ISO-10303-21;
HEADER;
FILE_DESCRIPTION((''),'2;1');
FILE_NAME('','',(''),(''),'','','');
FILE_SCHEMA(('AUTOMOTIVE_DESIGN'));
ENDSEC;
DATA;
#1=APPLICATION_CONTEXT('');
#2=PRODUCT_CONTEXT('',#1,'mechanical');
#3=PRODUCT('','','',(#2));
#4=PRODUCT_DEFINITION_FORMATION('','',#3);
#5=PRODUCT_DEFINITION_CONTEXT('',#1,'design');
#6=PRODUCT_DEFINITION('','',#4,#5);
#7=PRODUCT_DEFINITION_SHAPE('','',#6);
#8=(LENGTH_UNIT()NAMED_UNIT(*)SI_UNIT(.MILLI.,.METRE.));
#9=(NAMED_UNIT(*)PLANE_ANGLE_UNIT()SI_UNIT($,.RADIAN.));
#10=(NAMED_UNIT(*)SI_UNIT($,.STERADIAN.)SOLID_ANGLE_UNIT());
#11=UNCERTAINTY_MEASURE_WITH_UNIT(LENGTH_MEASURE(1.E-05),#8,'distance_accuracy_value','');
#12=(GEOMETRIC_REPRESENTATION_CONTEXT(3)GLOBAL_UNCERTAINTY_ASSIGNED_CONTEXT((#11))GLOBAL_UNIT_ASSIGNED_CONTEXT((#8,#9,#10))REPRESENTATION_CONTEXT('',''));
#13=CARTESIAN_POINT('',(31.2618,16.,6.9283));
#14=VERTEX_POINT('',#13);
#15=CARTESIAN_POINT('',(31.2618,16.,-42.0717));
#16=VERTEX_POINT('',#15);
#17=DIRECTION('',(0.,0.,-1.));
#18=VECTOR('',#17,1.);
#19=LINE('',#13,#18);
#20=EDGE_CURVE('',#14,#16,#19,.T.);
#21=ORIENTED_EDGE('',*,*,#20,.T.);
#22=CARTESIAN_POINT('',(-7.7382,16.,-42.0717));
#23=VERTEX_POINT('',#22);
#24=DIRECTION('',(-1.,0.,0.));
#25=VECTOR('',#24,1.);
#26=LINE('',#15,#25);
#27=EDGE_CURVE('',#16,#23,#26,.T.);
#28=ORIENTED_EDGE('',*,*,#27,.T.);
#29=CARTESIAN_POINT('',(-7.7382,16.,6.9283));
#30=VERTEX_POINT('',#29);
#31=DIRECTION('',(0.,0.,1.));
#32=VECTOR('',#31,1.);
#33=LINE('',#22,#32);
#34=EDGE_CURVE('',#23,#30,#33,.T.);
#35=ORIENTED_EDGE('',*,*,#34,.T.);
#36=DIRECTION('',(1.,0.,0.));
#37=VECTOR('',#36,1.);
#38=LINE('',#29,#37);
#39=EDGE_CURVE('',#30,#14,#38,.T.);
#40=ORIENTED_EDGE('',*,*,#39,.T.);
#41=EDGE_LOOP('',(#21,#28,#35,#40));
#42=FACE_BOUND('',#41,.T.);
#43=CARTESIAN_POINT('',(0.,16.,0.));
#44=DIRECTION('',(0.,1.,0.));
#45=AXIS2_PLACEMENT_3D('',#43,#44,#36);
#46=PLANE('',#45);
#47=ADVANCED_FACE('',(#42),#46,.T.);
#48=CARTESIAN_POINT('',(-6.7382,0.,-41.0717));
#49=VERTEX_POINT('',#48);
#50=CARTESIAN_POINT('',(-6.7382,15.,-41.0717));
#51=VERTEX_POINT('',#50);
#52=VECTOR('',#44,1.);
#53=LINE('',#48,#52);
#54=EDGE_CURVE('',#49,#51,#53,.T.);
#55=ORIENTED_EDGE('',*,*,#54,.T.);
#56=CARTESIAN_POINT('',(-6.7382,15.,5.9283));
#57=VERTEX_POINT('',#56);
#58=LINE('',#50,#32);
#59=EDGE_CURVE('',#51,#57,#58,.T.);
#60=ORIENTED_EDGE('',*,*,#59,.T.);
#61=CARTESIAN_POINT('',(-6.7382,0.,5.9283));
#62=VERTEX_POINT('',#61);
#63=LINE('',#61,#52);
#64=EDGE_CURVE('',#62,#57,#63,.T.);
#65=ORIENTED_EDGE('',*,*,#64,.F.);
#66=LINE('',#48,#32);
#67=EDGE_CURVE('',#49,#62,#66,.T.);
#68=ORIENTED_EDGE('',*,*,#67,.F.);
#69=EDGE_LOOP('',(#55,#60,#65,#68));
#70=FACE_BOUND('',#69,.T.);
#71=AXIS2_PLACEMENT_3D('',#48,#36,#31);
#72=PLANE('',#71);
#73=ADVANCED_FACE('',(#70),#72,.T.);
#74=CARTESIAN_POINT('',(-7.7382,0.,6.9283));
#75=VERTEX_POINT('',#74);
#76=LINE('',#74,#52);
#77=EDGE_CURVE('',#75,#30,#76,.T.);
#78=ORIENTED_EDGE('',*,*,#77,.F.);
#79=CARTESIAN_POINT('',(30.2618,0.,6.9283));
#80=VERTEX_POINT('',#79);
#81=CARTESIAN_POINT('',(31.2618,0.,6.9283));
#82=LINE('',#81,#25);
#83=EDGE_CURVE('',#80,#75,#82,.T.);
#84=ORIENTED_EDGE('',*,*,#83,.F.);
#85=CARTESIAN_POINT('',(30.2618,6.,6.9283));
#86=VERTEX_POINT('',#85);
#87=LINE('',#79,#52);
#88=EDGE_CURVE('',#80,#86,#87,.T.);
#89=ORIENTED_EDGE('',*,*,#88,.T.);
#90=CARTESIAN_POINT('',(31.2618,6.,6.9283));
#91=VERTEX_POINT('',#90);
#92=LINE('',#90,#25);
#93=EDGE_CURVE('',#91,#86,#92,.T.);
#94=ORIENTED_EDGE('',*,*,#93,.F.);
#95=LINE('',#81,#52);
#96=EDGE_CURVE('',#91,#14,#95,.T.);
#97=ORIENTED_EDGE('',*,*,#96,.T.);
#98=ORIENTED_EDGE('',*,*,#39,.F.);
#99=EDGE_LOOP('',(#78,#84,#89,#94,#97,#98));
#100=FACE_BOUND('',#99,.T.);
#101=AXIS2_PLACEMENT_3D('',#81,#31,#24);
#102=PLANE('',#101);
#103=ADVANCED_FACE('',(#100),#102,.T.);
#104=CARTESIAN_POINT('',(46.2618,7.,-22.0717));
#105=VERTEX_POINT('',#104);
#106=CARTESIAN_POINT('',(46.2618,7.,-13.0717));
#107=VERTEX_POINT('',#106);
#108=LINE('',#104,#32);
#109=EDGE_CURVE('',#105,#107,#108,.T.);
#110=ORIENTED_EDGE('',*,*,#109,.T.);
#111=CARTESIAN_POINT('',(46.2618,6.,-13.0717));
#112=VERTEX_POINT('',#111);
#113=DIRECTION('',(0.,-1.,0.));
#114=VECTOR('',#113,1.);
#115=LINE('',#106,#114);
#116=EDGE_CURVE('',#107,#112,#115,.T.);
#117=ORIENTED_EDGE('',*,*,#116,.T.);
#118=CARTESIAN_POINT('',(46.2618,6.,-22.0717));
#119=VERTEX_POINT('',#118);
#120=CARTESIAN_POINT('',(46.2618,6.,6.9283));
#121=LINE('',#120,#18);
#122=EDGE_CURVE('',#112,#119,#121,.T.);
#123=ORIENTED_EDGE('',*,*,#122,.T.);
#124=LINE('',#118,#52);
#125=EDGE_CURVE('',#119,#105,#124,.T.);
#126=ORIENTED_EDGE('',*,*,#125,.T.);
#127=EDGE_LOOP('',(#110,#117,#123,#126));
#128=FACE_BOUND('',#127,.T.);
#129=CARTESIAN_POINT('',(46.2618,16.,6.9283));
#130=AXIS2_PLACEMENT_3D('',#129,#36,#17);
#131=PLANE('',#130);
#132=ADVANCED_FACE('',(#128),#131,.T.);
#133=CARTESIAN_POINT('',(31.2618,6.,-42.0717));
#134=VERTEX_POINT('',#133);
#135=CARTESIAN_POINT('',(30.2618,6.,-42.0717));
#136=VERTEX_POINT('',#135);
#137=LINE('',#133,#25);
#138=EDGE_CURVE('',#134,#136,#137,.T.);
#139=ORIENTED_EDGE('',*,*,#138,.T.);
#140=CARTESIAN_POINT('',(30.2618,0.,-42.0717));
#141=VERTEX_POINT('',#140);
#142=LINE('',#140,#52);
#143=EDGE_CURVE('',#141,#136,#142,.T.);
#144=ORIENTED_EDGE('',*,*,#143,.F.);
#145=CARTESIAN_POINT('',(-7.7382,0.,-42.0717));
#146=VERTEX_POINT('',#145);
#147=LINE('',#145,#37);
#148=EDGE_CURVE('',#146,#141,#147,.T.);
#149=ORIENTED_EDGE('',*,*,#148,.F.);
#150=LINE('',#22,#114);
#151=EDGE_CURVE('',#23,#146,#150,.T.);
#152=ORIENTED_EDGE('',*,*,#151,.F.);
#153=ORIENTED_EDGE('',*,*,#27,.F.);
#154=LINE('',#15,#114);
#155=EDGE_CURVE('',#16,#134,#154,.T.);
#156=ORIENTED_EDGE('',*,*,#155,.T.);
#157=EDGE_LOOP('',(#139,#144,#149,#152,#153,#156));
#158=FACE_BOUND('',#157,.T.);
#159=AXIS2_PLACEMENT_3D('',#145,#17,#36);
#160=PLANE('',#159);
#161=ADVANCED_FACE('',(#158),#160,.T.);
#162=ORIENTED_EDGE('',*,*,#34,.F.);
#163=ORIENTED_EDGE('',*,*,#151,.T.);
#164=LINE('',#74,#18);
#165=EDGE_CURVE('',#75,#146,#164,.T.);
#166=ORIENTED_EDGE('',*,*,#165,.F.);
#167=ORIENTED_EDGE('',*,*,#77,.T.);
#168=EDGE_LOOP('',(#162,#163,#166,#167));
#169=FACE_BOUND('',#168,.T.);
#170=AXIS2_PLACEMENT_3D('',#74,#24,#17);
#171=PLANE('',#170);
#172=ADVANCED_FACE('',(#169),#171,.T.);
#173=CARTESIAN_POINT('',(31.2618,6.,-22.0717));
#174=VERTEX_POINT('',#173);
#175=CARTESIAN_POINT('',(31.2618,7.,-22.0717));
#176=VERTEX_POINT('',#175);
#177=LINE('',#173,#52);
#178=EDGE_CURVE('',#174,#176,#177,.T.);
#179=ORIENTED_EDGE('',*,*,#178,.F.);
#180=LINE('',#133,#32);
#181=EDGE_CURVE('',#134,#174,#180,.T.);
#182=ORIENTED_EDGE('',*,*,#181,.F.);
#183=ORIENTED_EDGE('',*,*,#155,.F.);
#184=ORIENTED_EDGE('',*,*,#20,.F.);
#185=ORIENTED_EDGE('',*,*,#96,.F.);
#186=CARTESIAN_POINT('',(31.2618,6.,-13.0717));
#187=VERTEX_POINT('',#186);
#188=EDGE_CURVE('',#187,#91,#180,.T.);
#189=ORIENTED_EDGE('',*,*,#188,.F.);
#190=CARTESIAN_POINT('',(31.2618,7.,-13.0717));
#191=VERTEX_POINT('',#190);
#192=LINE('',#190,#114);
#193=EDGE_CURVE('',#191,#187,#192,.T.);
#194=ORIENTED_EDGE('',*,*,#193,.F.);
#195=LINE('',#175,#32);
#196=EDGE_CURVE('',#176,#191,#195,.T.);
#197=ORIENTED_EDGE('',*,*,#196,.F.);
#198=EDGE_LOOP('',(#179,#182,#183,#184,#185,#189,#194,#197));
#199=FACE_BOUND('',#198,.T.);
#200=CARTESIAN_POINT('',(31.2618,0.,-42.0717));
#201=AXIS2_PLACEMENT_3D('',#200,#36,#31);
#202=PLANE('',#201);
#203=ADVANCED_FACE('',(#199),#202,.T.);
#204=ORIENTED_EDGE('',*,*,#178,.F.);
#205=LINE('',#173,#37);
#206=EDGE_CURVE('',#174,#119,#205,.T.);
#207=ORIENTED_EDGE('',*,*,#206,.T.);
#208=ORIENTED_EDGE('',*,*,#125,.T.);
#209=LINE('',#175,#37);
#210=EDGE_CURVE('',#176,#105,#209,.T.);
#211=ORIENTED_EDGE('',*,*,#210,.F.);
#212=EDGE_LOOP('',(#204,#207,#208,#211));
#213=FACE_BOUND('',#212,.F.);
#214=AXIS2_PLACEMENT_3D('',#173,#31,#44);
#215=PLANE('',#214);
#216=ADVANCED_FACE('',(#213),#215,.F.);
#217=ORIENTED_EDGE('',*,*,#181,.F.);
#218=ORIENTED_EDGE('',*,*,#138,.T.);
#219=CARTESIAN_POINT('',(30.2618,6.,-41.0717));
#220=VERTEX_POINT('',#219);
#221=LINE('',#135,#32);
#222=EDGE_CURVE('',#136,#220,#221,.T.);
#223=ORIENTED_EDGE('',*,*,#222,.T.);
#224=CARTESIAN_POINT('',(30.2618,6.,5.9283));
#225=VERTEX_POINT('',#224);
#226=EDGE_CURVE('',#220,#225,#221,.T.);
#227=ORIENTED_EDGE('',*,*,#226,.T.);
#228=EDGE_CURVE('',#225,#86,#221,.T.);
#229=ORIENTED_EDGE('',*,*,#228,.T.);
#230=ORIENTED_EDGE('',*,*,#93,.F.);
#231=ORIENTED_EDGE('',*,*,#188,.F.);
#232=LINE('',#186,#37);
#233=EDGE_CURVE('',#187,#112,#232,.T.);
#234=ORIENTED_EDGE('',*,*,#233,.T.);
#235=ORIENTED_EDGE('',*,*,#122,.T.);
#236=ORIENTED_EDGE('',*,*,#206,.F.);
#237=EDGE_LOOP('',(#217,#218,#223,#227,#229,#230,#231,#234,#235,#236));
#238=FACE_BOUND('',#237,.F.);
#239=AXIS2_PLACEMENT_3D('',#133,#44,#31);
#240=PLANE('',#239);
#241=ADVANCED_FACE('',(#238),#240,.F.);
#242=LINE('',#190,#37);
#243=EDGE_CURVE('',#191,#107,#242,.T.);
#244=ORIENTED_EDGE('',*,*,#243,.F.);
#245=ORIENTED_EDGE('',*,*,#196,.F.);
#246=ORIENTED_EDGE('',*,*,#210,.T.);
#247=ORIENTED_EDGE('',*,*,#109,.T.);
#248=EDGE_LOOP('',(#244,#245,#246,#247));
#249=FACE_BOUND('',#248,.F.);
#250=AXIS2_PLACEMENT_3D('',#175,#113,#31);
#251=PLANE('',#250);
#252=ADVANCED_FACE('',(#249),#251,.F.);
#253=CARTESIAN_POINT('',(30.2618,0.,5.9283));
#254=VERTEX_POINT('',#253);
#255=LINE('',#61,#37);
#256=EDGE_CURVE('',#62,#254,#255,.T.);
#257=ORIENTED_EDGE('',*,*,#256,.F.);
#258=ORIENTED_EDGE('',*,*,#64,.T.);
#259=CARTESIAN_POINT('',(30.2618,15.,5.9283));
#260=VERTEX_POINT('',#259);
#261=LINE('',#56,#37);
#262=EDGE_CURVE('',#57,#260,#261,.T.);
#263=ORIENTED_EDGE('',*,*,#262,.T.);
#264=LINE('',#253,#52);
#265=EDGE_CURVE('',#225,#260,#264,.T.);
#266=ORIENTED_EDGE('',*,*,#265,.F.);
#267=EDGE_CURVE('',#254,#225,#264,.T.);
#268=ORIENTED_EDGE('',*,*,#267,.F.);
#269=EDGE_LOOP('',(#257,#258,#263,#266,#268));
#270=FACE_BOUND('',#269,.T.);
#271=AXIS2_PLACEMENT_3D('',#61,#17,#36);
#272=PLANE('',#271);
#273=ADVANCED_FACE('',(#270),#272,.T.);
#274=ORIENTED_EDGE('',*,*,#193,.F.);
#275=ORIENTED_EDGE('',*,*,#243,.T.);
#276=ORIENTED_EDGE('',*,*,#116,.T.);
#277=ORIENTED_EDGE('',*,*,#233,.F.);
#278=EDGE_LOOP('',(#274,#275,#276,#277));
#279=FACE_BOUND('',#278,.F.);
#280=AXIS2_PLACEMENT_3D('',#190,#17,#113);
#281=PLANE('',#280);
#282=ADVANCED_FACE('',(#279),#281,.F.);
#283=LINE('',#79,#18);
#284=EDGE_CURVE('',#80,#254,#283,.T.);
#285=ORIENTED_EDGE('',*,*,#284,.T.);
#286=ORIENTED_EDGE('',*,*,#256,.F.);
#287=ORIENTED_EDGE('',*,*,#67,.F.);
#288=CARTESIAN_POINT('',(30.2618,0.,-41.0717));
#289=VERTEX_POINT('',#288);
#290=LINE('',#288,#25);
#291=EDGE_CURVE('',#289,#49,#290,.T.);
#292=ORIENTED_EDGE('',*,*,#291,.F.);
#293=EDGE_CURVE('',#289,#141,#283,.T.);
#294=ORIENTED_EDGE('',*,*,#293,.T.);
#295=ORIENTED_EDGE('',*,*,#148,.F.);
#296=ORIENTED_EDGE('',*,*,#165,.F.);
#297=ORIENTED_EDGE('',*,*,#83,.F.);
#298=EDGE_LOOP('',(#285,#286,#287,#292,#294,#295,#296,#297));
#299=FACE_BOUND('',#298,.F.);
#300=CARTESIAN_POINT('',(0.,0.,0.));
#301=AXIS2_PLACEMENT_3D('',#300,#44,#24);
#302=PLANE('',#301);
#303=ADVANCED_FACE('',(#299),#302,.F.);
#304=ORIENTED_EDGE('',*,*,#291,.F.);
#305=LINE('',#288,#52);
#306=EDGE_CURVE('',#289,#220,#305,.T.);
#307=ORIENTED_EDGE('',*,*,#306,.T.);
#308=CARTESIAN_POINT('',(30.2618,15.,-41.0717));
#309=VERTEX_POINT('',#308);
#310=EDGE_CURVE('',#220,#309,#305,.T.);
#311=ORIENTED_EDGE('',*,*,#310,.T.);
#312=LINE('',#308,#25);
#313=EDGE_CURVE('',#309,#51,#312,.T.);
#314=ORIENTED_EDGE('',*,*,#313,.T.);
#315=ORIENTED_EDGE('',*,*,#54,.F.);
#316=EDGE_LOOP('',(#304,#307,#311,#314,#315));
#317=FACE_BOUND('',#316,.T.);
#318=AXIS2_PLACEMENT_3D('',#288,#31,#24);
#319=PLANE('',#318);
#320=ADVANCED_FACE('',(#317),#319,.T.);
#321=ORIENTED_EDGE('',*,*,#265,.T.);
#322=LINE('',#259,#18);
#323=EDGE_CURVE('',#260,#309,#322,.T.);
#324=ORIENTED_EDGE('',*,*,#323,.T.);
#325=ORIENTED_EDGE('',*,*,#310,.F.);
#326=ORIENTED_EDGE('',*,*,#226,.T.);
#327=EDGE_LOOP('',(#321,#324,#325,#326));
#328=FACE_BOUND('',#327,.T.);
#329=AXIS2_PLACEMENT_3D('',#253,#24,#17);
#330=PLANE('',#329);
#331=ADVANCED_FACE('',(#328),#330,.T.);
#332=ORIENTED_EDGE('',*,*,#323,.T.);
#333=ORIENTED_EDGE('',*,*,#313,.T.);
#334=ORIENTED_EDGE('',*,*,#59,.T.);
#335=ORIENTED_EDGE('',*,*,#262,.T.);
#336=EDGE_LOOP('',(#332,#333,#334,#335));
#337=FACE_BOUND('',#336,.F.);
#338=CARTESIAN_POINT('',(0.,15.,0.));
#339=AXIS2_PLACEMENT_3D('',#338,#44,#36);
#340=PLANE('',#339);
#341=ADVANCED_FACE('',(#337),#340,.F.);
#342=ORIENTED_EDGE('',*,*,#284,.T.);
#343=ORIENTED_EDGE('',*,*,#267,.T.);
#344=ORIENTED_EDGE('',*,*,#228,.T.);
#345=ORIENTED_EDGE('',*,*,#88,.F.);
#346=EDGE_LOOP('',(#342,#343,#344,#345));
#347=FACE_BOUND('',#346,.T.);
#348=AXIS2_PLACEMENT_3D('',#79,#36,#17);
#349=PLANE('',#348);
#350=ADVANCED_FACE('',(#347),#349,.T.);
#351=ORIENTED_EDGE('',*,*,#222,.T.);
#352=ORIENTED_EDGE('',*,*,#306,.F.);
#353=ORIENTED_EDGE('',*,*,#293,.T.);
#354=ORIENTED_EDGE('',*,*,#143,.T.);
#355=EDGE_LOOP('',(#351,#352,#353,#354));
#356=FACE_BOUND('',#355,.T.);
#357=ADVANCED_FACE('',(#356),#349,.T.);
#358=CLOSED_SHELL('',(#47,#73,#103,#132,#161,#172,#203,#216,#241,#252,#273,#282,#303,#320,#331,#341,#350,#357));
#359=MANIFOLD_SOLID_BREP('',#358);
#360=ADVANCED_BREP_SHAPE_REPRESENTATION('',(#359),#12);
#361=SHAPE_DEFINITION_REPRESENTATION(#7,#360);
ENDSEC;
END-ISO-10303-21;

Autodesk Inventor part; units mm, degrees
ref_plane "YZ Plane" through (0, 0, 0) normal (1, 0, 0) x (0, 1, 0)
ref_plane "XZ Plane" through (0, 0, 0) normal (0, 1, 0) x (-1, 0, 0)
ref_plane "XY Plane" through (0, 0, 0) normal (0, 0, 1) x (1, 0, 0)
sketch "Náčrt1" plane through (0, 0, 0) normal (0, 1, 0) x (-1, 0, 0)
  line L0 (7.7382, 6.9283) -> (7.7382, -42.0717)
  line L1 (7.7382, -42.0717) -> (-31.2618, -42.0717)
  line L2 (-31.2618, -42.0717) -> (-31.2618, 6.9283)
  line L3 (-31.2618, 6.9283) -> (7.7382, 6.9283)
  line L4 (6.7382, -41.0717) -> (6.7382, 5.9283)
  line L5 (6.7382, 5.9283) -> (-30.2618, 5.9283)
  line L6 (-30.2618, 5.9283) -> (-30.2618, -41.0717)
  line L7 (-30.2618, -41.0717) -> (6.7382, -41.0717)
  point P0 (0, 0)
  dimension "d0" = 49
  dimension "d1" = 39
  dimension "d2" = 1
extrude "Vysunutí1" add sketch "Náčrt1" along normal blind 15
sketch "Náčrt2" plane through (0, 15, 0) normal (0, 1, 0) x (1, 0, 0)
  line L0 (31.2618, -6.9283) -> (31.2618, 42.0717) projected
  line L1 (31.2618, 42.0717) -> (-7.7382, 42.0717) projected
  line L2 (-7.7382, 42.0717) -> (-7.7382, -6.9283) projected
  line L3 (-7.7382, -6.9283) -> (31.2618, -6.9283) projected
  line L4 (-6.7382, 41.0717) -> (30.2618, 41.0717) projected
  line L5 (30.2618, 41.0717) -> (30.2618, -5.9283) projected
  line L6 (30.2618, -5.9283) -> (-6.7382, -5.9283) projected
  line L7 (-6.7382, -5.9283) -> (-6.7382, 41.0717) projected
  line L8 (-7.7382, -6.9283) -> (31.2618, -6.9283)
  line L9 (31.2618, -6.9283) -> (31.2618, 42.0717)
  line L10 (31.2618, 42.0717) -> (-7.7382, 42.0717)
  line L11 (-7.7382, 42.0717) -> (-7.7382, -6.9283)
  point P0 (0, 0)
extrude "Vysunutí2" add sketch "Náčrt2" along normal blind 1 contours L3 L2 L1 L0 | L4 L5 L6 L7
sketch "Náčrt3" plane through (31.2618, 0, 6.9283) normal (1, 0, 0) x (0, 0, -1)
  line L0 (0, 0) -> (49, 0) projected
  line L1 (49, 0) -> (49, 16) projected
  line L2 (0, 16) -> (49, 16) projected
  line L3 (0, 0) -> (0, 16) projected
  line L4 (0, 0) -> (49, 0)
  line L5 (49, 0) -> (49, 6)
  line L6 (49, 6) -> (0, 6)
  line L7 (0, 6) -> (0, 0)
  point P0 (6.9283, 0)
  point P1 (0, 6)
  dimension "d7" = 6
extrude "Vysunutí3" cut sketch "Náčrt3" against normal blind 1 contours L3 L6 L1 L0
sketch "Náčrt4" plane through (31.2618, 16, 6.9283) normal (1, 0, 0) x (0, 0, -1)
  line L0 (0, -10) -> (49, -10) projected
  line L1 (49, -10) -> (49, 0) projected
  line L2 (0, 0) -> (49, 0) projected
  line L3 (0, -10) -> (0, 0) projected
  line L4 (20, -10) -> (29, -10)
  line L5 (29, -10) -> (29, -9)
  line L6 (29, -9) -> (20, -9)
  line L7 (20, -9) -> (20, -10)
  point P0 (6.9283, -16)
  dimension "d10" = 20
  dimension "d11" = 1
  dimension "d12" = 20
extrude "Vysunutí4" add sketch "Náčrt4" along normal blind 15 contours L7 L6 L5 L0
properties part number "Víko senzor"
